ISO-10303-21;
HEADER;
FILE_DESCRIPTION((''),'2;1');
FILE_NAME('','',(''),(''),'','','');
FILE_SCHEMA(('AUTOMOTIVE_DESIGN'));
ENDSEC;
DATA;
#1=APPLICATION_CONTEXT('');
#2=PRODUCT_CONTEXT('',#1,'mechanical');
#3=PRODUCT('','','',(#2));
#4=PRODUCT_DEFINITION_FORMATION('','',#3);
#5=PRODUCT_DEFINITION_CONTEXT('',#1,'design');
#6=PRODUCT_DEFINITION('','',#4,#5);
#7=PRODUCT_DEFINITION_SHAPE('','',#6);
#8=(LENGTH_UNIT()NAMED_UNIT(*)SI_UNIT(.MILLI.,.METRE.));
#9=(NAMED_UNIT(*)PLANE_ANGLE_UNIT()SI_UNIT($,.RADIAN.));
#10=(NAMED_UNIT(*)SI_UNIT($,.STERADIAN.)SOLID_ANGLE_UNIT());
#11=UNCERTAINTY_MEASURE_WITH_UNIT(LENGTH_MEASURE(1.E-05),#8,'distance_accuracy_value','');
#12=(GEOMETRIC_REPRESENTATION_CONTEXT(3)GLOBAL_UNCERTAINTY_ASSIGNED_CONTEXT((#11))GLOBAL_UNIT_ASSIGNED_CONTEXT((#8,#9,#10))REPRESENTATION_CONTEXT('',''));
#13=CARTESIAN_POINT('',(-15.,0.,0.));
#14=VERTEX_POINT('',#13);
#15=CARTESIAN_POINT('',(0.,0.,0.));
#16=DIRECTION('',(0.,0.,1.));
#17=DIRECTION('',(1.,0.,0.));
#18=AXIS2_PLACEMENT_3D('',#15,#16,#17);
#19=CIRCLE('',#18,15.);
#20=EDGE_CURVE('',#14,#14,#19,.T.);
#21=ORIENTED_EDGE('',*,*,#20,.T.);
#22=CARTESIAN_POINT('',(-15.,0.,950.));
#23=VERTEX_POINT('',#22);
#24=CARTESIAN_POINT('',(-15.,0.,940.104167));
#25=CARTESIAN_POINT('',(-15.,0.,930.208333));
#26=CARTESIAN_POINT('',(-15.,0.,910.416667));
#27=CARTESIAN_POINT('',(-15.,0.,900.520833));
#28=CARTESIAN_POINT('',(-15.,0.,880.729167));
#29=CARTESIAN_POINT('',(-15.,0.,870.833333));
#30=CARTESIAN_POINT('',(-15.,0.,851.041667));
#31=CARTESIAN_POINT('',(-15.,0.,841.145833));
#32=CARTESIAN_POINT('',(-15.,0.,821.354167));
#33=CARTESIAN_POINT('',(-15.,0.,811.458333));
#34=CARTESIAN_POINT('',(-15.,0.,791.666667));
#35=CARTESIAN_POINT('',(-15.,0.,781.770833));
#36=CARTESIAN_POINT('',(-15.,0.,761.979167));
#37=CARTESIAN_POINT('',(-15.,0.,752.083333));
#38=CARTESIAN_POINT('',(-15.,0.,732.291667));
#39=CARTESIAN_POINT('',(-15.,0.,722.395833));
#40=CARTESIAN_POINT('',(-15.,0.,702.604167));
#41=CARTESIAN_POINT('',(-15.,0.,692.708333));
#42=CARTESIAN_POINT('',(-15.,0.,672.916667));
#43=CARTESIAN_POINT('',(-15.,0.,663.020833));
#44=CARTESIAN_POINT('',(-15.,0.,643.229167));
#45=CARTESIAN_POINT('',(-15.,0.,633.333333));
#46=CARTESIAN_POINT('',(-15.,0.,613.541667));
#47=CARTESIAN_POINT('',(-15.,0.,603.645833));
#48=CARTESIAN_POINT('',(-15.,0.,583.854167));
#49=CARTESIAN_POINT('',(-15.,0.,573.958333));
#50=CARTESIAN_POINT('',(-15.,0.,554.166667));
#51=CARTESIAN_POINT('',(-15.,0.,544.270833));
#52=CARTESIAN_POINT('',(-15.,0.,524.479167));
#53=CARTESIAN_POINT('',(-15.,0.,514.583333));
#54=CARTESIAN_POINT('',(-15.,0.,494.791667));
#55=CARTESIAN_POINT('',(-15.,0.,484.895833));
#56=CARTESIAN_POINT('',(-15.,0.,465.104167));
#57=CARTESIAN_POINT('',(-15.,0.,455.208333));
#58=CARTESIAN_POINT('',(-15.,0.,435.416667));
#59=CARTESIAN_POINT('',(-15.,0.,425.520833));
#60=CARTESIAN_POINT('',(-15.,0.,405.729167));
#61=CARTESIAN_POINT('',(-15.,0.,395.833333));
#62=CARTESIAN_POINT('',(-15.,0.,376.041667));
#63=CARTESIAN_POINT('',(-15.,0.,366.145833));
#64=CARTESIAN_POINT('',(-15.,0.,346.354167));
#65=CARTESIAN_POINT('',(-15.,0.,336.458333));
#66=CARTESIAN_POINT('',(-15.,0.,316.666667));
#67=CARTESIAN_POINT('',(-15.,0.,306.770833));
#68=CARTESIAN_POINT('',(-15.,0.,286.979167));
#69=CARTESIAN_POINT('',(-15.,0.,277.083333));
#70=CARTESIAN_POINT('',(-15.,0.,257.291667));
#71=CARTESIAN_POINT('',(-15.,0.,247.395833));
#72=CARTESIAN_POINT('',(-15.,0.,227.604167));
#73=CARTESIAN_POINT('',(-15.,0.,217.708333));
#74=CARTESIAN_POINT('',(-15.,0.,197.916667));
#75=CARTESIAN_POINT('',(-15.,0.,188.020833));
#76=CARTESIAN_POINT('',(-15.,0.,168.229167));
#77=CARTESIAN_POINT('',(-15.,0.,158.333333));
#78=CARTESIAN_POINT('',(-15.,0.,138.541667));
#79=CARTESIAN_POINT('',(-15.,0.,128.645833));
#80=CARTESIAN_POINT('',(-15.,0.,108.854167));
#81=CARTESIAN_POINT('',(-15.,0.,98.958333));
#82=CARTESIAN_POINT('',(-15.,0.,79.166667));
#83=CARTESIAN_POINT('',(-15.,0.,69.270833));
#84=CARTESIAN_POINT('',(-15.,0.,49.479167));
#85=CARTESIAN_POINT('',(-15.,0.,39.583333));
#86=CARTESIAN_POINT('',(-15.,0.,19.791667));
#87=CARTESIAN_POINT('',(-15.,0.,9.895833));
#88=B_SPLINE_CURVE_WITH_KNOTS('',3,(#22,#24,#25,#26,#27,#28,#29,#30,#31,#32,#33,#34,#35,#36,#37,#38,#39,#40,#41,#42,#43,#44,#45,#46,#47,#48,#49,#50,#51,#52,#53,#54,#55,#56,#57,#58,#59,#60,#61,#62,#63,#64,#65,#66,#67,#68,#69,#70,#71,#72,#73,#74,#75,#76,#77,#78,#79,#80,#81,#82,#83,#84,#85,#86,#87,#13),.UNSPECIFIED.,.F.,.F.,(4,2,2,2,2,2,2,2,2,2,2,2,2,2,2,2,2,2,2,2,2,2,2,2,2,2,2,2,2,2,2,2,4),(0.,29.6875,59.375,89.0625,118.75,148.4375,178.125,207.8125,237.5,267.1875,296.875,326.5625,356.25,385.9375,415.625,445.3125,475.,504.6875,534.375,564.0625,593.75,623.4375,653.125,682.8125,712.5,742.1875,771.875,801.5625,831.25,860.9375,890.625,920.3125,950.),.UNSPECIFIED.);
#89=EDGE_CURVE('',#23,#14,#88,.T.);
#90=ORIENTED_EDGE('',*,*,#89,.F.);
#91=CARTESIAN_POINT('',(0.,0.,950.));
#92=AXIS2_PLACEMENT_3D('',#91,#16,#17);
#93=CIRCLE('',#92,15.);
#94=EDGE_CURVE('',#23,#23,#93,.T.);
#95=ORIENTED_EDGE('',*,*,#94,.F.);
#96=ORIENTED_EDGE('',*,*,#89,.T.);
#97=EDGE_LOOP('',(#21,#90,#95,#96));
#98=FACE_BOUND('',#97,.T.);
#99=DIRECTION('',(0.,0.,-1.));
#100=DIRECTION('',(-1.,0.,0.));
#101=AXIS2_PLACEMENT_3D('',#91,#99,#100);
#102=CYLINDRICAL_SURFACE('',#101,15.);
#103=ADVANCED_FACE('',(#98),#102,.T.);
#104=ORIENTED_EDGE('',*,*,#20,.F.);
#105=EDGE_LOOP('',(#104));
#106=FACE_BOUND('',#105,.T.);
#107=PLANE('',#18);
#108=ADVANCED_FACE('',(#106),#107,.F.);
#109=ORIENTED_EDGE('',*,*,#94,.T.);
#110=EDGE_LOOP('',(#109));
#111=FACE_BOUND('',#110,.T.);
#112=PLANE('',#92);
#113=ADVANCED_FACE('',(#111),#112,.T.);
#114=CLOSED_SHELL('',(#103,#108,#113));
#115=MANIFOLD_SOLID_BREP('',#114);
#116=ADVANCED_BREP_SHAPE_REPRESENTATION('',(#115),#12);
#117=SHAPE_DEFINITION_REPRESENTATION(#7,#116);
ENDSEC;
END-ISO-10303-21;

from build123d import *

# Parameters (mm, degrees)
SKETCH1_R           = 15
BOSS_EXTRUDE1_DEPTH = 950


with BuildPart() as part:
    # Sketch1 → Boss-Extrude1 (new body)
    with BuildSketch(Plane.XY):
        with Locations(Location((0, 0, 0), (0, 0, 180))):
            Circle(SKETCH1_R)
    extrude(amount=BOSS_EXTRUDE1_DEPTH)


solid = part.part
